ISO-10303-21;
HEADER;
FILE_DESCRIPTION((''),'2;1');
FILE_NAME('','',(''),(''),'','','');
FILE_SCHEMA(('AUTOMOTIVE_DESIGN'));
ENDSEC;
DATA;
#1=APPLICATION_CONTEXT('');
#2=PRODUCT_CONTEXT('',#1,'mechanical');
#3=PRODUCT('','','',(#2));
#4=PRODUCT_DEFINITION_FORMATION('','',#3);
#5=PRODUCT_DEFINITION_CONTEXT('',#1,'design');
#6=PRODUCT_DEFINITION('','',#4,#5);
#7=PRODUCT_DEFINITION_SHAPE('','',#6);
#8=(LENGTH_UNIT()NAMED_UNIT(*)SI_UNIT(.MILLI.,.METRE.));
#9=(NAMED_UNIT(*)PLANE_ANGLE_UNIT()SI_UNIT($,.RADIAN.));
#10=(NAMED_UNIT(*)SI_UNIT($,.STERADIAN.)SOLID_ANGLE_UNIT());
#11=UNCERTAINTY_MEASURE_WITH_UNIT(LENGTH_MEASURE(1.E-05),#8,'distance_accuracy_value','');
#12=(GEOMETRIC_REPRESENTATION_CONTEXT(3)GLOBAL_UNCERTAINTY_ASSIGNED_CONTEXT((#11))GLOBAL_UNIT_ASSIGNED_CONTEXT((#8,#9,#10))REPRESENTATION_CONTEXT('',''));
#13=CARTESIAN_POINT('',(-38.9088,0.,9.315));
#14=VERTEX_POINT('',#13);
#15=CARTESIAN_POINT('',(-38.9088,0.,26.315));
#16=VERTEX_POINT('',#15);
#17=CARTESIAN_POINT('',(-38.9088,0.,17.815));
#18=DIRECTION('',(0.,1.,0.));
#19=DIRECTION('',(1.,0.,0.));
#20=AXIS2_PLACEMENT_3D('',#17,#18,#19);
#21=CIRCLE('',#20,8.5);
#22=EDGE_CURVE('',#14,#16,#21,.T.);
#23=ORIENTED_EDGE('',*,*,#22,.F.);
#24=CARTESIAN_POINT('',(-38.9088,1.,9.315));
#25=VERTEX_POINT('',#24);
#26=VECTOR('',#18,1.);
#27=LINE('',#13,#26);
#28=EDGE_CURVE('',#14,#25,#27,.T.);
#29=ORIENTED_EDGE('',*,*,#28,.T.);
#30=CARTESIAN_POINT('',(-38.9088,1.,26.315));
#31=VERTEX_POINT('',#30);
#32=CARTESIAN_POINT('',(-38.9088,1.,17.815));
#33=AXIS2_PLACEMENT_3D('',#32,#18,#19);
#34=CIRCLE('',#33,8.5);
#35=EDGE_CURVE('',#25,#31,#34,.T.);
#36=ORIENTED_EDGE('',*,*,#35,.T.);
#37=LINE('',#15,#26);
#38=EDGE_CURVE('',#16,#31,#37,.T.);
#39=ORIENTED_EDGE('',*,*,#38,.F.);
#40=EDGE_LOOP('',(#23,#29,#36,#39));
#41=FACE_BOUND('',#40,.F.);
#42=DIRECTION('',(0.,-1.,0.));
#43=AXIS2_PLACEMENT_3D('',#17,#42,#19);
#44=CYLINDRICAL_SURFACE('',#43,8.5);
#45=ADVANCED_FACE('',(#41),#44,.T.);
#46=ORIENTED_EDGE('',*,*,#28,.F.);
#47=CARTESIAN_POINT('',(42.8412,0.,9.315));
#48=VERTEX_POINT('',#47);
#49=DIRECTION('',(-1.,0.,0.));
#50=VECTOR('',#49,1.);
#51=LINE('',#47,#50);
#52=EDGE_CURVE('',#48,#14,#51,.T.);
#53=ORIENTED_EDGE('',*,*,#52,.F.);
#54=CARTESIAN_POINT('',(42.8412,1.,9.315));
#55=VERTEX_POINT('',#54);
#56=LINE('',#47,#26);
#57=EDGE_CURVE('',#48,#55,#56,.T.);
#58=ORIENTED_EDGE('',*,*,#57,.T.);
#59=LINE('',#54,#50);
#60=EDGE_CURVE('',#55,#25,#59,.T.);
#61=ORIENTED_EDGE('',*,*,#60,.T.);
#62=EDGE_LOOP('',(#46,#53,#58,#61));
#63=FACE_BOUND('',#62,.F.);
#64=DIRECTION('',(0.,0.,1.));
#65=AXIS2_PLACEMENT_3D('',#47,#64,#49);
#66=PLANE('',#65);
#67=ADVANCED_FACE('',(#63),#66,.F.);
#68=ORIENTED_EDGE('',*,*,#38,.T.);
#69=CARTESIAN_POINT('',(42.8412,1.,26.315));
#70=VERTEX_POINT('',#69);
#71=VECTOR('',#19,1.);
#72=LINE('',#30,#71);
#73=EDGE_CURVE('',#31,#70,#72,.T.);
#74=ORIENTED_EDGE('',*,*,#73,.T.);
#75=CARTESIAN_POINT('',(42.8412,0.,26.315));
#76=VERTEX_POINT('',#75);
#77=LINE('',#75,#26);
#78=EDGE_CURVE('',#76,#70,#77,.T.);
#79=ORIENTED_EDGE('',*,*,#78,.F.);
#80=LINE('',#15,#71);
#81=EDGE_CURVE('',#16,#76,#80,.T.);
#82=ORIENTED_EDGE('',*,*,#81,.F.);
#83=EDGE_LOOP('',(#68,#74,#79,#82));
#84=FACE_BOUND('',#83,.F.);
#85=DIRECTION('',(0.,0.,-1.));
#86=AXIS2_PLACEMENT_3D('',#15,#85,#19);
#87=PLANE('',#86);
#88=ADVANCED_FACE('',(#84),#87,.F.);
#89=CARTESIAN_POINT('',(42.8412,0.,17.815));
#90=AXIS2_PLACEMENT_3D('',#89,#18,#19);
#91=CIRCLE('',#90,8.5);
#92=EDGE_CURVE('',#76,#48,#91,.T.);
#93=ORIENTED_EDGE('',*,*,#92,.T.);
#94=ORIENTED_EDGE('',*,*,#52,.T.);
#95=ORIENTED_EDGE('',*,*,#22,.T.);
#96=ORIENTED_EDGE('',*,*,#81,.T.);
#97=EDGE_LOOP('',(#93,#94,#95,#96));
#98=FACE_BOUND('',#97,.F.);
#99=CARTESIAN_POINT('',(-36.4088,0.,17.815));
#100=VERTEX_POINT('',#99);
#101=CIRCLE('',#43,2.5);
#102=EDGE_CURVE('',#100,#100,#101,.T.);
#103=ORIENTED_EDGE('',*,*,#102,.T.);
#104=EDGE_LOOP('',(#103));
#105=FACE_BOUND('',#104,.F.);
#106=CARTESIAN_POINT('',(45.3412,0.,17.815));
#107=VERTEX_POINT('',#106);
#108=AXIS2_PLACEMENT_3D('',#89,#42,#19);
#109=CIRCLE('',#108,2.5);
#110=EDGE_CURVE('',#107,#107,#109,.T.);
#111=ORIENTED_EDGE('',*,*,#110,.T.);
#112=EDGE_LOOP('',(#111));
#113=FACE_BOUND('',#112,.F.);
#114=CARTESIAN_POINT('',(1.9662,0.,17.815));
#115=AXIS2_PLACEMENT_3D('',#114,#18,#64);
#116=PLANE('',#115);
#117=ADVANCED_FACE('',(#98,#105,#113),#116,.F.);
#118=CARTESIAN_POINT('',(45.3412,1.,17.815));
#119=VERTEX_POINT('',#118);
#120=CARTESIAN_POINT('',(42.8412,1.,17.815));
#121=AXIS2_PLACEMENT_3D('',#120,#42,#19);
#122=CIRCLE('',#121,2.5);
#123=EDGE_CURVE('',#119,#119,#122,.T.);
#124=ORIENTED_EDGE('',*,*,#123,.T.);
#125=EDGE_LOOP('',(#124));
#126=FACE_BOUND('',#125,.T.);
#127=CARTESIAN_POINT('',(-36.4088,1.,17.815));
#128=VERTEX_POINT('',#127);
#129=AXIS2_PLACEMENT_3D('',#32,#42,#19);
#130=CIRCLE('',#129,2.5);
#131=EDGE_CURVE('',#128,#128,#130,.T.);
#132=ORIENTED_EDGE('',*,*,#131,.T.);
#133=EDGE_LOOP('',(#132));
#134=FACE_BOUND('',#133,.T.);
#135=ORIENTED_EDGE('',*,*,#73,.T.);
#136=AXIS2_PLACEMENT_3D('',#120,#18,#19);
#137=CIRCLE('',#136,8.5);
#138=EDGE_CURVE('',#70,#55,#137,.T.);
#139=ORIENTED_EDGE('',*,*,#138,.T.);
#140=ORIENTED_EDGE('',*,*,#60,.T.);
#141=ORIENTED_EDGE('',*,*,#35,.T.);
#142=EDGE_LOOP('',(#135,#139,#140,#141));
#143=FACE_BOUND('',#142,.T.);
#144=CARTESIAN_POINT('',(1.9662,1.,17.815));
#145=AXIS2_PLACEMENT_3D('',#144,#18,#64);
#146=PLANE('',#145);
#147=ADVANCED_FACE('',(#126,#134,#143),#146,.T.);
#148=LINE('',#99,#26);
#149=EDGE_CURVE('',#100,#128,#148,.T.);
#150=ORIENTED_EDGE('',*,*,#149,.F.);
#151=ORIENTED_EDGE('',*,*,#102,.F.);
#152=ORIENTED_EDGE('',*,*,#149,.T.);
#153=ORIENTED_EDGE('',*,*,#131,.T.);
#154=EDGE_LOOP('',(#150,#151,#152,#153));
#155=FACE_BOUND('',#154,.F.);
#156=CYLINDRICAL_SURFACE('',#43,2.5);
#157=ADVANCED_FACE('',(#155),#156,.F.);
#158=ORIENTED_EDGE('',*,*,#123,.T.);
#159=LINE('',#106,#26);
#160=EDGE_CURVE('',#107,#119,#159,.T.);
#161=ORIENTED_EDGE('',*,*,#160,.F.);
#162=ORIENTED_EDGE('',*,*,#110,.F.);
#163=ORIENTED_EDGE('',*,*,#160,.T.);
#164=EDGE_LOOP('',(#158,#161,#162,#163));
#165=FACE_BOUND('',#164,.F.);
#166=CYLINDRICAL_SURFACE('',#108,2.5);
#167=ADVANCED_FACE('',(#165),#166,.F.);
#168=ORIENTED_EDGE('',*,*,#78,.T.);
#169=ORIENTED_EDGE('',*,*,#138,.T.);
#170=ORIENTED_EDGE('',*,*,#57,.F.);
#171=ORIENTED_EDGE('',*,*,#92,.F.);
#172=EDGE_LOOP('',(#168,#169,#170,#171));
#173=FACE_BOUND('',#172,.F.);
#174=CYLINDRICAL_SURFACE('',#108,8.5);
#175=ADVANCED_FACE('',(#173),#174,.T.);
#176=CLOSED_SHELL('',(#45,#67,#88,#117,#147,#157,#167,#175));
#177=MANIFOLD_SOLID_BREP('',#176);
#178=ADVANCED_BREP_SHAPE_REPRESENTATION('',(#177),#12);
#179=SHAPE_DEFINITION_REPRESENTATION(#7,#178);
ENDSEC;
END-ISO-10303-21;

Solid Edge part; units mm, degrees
sketch "Sketch1" plane through (0, 0, 0) normal (0, -1, 0) x (1, 0, 0)
  circle A0 centre (-38.9088, 17.815) radius 2.5
  line L0 (42.8412, 9.315) -> (-38.9088, 9.315)
  line L1 (-38.9088, 26.315) -> (42.8412, 26.315)
  arc A1 (-38.9088, 9.315) -> (-38.9088, 26.315) centre (-38.9088, 17.815) cw
  arc A2 (42.8412, 26.315) -> (42.8412, 9.315) centre (42.8412, 17.815) cw
  circle A3 centre (42.8412, 17.815) radius 2.5
extrude "Protrusion1" add sketch "Sketch1" against normal blind 1
